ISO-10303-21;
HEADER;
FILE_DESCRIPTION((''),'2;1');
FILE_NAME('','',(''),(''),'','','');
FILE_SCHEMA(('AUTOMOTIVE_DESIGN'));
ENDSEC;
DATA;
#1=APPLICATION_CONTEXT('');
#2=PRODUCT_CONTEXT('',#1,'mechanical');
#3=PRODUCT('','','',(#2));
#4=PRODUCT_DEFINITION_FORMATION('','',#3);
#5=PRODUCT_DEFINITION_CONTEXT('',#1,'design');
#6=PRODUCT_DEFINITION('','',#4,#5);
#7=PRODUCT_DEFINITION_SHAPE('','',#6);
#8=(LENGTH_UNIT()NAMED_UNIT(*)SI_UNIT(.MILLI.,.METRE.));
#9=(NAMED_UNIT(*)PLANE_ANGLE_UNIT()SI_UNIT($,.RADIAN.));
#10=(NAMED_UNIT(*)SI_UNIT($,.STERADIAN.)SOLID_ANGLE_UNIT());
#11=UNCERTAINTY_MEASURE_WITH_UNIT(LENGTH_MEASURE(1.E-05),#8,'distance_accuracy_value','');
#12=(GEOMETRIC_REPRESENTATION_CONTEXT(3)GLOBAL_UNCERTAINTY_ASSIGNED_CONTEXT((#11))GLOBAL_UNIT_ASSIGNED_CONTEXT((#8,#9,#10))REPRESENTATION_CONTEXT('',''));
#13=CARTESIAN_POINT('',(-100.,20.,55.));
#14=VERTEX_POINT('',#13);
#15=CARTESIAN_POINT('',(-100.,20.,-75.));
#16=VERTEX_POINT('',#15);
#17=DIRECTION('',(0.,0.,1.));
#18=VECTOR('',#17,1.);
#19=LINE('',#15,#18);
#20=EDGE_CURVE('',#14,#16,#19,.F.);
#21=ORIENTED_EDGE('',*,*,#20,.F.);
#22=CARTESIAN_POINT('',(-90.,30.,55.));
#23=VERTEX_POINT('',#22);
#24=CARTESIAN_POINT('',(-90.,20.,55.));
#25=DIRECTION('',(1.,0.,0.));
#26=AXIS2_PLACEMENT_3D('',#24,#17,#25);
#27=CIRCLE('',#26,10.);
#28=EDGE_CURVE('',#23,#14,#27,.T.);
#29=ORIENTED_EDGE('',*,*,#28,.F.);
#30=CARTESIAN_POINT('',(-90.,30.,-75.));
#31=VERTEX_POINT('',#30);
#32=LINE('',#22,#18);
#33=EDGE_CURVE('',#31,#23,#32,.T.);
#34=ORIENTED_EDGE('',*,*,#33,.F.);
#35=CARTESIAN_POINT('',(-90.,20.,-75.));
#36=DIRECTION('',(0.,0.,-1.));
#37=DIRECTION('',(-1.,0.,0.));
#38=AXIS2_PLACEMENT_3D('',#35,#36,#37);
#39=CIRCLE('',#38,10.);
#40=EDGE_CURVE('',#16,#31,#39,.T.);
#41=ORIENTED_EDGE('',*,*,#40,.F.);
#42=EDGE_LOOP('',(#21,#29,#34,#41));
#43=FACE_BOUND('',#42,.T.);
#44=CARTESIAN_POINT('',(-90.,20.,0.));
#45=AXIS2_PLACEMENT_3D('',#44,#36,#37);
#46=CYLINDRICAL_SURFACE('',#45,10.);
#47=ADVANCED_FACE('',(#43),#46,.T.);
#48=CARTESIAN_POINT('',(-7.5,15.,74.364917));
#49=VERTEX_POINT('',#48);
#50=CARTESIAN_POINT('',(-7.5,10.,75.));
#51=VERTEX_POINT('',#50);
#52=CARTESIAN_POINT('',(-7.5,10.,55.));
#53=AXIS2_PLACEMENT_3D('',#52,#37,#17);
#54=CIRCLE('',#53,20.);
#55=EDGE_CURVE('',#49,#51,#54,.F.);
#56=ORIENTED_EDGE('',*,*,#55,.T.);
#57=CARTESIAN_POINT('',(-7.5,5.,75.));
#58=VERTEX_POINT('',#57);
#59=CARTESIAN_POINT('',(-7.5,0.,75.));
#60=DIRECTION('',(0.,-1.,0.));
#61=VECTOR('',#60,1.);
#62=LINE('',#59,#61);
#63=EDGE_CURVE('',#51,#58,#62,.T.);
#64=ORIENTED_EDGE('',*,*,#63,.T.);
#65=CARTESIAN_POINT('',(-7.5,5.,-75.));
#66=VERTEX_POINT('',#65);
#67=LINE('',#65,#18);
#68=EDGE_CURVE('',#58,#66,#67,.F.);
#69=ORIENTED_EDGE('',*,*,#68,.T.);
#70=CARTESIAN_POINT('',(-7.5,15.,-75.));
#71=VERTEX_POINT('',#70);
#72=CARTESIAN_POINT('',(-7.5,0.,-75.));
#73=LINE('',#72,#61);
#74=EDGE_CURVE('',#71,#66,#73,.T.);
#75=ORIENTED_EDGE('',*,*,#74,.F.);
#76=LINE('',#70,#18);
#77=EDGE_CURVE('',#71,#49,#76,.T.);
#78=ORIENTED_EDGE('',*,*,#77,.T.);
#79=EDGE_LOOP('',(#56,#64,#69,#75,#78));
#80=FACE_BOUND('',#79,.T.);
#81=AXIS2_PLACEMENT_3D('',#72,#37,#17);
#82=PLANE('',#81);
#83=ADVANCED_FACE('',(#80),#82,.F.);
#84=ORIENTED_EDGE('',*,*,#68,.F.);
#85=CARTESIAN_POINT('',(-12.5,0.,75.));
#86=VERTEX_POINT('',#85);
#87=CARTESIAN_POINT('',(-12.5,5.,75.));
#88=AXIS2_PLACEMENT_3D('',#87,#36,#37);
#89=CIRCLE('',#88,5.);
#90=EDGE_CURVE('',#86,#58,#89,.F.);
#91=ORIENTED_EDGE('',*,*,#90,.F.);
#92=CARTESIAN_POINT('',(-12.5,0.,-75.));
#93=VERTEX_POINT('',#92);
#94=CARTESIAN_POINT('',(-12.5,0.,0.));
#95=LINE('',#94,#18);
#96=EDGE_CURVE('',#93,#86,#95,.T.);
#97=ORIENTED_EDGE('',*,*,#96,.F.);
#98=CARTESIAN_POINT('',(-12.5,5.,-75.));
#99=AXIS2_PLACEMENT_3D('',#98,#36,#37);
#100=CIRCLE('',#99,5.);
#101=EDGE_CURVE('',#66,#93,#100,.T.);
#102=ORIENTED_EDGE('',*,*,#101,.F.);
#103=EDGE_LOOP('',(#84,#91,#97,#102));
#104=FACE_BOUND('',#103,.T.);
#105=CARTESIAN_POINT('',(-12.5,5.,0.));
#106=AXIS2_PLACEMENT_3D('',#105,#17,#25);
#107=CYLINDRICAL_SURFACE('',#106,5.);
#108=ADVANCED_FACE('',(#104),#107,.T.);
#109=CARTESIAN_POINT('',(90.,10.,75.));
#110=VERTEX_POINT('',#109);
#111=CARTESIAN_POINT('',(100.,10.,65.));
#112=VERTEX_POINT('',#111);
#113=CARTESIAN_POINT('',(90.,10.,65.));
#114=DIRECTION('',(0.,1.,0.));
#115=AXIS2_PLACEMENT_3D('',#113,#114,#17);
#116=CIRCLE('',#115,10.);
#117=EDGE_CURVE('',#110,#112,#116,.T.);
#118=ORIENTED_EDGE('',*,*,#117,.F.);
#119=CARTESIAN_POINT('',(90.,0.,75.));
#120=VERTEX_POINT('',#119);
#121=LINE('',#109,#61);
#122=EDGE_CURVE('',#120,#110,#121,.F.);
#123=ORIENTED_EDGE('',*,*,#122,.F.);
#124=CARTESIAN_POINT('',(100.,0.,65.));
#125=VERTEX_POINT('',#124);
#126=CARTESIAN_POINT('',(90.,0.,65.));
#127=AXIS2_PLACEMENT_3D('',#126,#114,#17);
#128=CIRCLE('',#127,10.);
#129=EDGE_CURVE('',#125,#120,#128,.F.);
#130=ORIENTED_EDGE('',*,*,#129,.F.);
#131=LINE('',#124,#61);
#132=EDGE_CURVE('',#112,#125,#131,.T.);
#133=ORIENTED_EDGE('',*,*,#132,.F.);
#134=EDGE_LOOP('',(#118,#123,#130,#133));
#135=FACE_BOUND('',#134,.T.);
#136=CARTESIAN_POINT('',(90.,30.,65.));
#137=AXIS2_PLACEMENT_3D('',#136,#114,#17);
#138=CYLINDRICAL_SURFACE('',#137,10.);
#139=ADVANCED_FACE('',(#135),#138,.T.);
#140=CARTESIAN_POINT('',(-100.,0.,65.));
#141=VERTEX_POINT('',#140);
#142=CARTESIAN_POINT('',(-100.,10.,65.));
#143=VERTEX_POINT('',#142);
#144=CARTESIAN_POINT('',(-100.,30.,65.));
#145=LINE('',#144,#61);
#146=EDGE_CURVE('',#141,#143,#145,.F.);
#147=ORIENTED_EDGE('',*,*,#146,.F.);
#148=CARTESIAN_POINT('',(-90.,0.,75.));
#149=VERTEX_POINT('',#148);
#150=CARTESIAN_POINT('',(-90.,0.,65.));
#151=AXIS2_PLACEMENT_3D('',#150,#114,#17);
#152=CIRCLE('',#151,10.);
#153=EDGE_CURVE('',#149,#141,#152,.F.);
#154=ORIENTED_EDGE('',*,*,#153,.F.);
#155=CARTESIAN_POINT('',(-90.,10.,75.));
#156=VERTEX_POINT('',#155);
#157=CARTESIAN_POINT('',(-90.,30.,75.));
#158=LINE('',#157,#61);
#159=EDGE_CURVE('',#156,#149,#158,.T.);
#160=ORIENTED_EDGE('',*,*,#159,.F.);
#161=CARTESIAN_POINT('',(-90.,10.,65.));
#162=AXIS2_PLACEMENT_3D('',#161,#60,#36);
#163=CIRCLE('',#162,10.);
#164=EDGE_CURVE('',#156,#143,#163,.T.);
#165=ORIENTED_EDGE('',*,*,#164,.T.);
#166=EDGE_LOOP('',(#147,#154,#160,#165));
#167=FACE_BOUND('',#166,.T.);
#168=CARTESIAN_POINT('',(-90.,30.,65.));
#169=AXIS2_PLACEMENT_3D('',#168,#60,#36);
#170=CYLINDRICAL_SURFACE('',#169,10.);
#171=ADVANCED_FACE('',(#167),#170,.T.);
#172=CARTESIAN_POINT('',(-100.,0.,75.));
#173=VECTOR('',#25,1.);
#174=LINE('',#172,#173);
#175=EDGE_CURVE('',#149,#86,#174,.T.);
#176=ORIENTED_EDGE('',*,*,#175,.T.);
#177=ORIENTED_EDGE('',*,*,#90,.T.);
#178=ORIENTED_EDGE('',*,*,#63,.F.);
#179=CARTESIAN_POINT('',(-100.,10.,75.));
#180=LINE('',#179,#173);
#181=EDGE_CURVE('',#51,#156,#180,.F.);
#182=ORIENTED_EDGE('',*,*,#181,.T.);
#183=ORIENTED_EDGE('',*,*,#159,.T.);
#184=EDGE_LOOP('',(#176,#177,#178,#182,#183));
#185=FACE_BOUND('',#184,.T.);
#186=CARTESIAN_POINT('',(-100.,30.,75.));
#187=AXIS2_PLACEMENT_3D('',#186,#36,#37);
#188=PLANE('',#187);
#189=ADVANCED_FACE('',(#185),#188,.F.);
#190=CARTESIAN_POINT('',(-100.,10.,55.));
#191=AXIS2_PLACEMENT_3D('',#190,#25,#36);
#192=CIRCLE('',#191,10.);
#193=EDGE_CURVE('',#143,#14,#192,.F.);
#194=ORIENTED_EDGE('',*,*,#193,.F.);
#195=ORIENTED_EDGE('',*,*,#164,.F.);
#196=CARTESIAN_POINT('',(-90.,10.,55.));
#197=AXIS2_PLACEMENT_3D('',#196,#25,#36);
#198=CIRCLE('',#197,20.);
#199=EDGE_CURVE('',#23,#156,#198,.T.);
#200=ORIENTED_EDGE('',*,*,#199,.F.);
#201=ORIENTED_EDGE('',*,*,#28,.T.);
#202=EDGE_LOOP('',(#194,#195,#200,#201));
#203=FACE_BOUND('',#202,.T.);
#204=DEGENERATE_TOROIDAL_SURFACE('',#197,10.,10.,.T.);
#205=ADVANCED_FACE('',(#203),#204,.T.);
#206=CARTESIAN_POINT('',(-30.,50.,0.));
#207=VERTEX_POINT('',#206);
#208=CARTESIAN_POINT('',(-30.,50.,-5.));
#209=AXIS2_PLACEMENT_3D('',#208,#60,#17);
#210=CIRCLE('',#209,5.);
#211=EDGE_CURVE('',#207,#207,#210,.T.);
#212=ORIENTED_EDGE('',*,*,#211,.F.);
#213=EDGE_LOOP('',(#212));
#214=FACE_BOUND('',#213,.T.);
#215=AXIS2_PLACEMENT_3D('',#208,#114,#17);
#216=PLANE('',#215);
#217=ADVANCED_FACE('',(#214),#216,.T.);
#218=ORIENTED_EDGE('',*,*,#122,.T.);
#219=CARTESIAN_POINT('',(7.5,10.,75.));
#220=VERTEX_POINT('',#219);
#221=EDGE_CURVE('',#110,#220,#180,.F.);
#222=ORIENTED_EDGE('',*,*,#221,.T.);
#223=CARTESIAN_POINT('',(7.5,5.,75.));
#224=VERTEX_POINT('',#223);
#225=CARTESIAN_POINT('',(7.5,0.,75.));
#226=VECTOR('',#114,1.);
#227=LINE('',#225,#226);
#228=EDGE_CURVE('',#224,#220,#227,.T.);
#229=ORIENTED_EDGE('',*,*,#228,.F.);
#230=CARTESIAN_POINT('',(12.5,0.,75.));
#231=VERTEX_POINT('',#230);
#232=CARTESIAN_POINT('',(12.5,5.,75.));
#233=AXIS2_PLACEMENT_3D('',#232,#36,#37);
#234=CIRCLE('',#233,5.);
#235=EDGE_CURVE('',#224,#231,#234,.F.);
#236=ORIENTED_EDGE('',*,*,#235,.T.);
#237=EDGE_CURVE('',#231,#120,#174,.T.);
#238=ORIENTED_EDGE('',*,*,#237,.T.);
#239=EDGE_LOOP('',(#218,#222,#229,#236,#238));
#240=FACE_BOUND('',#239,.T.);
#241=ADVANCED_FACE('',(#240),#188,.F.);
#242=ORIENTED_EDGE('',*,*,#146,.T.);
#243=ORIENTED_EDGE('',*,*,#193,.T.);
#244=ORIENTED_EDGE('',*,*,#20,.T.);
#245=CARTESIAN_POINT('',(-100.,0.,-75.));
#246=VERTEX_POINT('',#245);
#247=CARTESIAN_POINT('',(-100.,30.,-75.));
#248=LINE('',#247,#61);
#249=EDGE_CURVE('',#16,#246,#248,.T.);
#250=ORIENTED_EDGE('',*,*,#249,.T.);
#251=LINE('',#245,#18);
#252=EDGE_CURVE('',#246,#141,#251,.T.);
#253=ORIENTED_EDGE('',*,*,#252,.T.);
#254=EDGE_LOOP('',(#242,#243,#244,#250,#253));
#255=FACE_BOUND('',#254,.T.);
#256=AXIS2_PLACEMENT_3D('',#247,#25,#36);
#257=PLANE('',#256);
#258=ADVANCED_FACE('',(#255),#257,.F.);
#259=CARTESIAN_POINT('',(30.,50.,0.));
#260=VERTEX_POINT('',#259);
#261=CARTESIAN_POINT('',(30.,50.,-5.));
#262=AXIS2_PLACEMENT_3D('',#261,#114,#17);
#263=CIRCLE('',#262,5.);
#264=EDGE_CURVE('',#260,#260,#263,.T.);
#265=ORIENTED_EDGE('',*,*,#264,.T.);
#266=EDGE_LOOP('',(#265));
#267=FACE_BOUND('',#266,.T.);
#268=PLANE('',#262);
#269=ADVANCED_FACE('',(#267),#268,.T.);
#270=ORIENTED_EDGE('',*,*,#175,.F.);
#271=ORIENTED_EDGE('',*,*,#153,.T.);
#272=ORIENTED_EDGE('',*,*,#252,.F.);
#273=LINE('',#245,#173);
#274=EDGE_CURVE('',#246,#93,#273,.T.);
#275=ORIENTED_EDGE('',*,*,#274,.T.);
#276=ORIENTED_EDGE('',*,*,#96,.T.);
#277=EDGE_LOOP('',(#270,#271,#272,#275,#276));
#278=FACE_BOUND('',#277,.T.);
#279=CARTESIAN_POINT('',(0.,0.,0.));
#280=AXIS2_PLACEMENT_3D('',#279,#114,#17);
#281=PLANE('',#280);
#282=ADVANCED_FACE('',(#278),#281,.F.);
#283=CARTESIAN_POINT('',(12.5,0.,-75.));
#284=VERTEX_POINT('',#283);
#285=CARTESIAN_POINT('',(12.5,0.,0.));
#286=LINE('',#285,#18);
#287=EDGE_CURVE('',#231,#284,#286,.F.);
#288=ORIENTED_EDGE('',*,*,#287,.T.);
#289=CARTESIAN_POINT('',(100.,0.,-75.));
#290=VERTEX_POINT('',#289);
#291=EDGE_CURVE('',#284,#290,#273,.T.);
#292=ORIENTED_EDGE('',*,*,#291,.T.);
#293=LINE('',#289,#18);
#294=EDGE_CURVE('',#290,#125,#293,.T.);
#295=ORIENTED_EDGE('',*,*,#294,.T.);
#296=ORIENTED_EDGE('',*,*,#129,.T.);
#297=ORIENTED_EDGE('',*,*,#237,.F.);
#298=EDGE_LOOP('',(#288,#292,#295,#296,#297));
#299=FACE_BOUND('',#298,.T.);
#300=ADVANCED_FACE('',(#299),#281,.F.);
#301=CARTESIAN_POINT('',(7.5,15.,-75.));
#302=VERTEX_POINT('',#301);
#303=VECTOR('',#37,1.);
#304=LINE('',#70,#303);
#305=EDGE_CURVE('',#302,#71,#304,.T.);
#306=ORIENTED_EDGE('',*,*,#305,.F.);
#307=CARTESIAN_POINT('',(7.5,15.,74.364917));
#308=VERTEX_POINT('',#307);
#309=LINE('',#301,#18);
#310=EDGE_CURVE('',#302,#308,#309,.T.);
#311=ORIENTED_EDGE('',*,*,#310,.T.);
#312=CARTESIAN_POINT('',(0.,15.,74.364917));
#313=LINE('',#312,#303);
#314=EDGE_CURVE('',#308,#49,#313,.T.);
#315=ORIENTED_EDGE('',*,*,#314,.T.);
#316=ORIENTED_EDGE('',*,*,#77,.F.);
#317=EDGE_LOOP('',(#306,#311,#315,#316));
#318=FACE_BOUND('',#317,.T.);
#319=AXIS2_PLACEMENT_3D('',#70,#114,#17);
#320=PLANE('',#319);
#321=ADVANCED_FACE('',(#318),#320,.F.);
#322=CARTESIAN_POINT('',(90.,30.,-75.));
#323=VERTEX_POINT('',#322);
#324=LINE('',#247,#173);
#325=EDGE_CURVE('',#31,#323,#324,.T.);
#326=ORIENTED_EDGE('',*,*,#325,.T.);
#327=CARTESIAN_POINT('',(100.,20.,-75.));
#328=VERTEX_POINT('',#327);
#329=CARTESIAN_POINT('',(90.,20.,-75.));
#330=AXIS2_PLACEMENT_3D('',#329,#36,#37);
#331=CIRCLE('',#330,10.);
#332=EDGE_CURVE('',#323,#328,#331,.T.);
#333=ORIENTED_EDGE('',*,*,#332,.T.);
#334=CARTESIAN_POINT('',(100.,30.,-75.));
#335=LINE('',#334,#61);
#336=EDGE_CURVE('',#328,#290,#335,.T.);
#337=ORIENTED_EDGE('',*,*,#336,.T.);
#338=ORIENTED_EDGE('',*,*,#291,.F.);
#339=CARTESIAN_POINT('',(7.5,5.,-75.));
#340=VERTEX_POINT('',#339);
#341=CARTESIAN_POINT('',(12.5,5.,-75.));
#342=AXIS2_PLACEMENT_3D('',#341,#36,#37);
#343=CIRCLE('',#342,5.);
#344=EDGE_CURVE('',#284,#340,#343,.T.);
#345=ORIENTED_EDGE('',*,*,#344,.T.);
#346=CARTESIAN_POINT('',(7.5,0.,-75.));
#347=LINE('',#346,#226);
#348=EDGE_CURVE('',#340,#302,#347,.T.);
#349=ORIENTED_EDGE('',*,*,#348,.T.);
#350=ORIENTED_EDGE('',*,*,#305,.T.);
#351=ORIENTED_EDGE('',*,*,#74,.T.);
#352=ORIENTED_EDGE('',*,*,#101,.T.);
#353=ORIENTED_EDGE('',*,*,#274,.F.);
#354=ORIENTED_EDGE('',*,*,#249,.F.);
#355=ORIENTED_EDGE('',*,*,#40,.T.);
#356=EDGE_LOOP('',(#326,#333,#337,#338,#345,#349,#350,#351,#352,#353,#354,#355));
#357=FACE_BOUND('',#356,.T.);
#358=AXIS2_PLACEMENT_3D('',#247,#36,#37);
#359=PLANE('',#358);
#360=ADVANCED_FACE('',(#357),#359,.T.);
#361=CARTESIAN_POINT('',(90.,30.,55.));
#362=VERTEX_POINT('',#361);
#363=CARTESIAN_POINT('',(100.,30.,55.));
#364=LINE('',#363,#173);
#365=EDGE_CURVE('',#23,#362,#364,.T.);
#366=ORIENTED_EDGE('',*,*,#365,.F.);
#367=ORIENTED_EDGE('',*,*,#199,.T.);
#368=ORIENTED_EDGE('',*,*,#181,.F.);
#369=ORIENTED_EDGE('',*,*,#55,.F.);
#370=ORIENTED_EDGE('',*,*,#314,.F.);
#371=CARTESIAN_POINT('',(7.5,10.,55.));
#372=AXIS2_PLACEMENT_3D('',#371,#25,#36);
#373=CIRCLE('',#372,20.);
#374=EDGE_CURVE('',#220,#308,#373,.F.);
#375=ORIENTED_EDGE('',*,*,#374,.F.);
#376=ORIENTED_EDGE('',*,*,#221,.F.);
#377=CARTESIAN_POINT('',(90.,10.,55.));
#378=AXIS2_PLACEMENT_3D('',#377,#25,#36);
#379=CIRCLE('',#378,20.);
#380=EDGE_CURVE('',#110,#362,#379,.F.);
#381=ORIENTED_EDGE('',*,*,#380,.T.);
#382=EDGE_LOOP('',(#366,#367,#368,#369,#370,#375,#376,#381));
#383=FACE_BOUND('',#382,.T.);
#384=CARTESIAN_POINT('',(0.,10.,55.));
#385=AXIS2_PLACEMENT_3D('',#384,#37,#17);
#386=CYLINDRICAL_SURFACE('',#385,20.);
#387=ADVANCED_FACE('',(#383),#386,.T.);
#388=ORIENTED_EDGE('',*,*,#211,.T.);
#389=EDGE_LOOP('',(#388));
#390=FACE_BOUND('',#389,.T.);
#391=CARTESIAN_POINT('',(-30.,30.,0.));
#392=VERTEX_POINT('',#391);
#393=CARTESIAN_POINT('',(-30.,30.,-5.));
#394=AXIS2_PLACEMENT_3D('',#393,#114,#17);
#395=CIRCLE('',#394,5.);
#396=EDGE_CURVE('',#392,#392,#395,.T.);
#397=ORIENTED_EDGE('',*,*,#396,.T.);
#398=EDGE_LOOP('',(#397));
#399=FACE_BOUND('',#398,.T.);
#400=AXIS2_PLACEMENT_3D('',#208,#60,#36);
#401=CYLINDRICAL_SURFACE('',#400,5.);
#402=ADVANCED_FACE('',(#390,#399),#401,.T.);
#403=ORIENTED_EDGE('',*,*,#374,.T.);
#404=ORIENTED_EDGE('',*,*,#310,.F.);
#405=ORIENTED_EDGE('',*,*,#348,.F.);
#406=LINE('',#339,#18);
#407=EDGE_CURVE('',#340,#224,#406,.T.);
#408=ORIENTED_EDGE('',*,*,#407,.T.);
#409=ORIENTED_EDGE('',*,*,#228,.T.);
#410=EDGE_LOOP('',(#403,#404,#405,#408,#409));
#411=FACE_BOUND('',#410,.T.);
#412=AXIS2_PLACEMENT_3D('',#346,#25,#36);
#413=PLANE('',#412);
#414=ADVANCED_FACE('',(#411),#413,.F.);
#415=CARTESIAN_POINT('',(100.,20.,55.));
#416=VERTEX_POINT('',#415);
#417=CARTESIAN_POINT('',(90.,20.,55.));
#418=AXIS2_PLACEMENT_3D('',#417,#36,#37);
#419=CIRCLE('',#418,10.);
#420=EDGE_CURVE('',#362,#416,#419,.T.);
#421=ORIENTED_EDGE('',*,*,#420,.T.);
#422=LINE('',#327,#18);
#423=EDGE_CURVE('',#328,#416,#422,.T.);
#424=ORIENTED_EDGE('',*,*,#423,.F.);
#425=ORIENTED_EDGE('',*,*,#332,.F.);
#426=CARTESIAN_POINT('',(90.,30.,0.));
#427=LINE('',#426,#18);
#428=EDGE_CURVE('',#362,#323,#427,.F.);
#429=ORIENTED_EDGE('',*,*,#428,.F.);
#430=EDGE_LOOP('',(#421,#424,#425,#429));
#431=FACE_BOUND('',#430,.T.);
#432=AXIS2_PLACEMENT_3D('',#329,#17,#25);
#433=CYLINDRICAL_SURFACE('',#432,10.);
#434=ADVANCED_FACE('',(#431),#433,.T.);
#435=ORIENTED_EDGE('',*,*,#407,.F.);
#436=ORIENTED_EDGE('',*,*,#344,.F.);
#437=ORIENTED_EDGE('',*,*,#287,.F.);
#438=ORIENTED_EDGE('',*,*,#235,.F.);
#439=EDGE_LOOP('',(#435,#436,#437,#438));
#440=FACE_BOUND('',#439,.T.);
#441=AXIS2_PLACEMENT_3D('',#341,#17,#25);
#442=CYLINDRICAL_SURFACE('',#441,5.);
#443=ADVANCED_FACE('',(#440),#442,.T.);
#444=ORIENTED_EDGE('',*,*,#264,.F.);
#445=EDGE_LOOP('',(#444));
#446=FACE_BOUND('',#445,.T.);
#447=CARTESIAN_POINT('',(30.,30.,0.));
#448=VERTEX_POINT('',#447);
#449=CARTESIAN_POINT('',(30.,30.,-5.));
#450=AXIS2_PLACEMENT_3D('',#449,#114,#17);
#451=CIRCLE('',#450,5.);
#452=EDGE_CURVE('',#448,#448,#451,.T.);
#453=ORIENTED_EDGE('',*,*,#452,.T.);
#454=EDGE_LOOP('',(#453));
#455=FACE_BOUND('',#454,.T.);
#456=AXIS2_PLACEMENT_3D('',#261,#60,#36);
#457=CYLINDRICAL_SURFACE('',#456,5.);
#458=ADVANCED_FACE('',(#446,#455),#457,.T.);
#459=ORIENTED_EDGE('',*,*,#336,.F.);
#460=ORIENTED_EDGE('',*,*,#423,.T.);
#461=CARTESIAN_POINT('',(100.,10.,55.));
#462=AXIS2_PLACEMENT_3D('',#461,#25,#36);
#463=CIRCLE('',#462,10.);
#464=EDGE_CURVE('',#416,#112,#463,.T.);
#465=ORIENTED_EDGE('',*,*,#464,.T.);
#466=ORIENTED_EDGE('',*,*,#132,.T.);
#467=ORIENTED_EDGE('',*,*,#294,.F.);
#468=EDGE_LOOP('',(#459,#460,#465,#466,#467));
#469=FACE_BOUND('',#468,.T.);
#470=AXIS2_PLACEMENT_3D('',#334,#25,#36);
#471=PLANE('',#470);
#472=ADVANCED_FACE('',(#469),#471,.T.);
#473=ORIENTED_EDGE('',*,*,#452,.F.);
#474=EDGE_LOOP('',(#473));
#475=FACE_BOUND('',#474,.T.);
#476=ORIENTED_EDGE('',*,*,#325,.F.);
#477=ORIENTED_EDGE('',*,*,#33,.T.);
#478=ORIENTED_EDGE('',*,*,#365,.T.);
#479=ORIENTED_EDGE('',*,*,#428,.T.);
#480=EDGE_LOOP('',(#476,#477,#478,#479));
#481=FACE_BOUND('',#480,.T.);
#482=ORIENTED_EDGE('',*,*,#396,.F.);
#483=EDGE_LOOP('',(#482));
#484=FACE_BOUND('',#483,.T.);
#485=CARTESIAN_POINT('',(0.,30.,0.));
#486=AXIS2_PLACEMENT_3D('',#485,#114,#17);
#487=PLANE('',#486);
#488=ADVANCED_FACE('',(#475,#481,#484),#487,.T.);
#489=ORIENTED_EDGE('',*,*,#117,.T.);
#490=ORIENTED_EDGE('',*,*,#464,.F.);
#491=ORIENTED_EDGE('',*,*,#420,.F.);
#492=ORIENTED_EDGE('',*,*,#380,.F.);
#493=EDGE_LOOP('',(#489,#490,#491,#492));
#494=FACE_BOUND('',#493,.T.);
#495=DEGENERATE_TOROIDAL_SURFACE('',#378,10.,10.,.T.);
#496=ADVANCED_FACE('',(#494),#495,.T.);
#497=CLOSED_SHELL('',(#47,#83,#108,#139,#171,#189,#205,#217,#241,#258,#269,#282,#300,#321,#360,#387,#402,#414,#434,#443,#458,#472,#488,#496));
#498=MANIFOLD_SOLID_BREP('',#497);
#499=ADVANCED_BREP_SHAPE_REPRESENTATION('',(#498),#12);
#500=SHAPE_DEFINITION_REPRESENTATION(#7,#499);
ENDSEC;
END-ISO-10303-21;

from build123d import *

# Parameters (mm, degrees)
SKETCH1_W           = 200
SKETCH1_H           = 150
BOSS_EXTRUDE1_DEPTH = 30
FILLET1_R           = 20
FILLET2_R           = 10
SKETCH2_W           = 15
SKETCH2_H           = 15
CUT_EXTRUDE1_DEPTH  = 183.756668825
FILLET4_R           = 5
SKETCH3_R           = 5
BOSS_EXTRUDE2_DEPTH = 20


with BuildPart() as part:
    # Sketch1 → Boss-Extrude1 (new body)
    with BuildSketch(Plane(origin=(0, 0, 0), x_dir=(1, 0, 0), z_dir=(0, 1, 0))):
        Rectangle(SKETCH1_W, SKETCH1_H)
    extrude(amount=BOSS_EXTRUDE1_DEPTH)

    # Fillet1
    fillet1_edges = [part.edges().sort_by_distance(p)[0] for p in [
        (0, 30, 75),
    ]]
    fillet(fillet1_edges, radius=FILLET1_R)

    # Fillet2
    fillet2_edges = [part.edges().sort_by_distance(p)[0] for p in [
        (100, 30, -10),
        (100, 5, 75),
        (100, 24.142135624, 69.142135624),
        (-100, 5, 75),
        (-100, 24.142135624, 69.142135624),
        (-100, 30, -10),
    ]]
    fillet(fillet2_edges, radius=FILLET2_R)

    # Sketch2 → Cut-Extrude1 (cut, through all)
    with BuildSketch(Plane.XY.offset(75)):
        with Locations((0, 7.5)):
            Rectangle(SKETCH2_W, SKETCH2_H)
    extrude(amount=-CUT_EXTRUDE1_DEPTH, mode=Mode.SUBTRACT)

    # Fillet4
    fillet4_edges = [part.edges().sort_by_distance(p)[0] for p in [
        (-7.5, 0, 0),
        (7.5, 0, 0),
    ]]
    fillet(fillet4_edges, radius=FILLET4_R)

    # Sketch3 → Boss-Extrude2 (add)
    with BuildSketch(Plane(origin=(0, 30, 0), x_dir=(1, 0, 0), z_dir=(0, 1, 0))):
        with Locations(Location((30, 5, 0), (0, 0, 270))):
            Circle(SKETCH3_R)
    boss_extrude2 = extrude(amount=BOSS_EXTRUDE2_DEPTH)

    # Mirror1: Boss-Extrude2 across plane
    add(boss_extrude2.mirror(Plane(origin=(0, 0, 0), x_dir=(0, 0, 1), z_dir=(1, 0, 0))))


solid = part.part
